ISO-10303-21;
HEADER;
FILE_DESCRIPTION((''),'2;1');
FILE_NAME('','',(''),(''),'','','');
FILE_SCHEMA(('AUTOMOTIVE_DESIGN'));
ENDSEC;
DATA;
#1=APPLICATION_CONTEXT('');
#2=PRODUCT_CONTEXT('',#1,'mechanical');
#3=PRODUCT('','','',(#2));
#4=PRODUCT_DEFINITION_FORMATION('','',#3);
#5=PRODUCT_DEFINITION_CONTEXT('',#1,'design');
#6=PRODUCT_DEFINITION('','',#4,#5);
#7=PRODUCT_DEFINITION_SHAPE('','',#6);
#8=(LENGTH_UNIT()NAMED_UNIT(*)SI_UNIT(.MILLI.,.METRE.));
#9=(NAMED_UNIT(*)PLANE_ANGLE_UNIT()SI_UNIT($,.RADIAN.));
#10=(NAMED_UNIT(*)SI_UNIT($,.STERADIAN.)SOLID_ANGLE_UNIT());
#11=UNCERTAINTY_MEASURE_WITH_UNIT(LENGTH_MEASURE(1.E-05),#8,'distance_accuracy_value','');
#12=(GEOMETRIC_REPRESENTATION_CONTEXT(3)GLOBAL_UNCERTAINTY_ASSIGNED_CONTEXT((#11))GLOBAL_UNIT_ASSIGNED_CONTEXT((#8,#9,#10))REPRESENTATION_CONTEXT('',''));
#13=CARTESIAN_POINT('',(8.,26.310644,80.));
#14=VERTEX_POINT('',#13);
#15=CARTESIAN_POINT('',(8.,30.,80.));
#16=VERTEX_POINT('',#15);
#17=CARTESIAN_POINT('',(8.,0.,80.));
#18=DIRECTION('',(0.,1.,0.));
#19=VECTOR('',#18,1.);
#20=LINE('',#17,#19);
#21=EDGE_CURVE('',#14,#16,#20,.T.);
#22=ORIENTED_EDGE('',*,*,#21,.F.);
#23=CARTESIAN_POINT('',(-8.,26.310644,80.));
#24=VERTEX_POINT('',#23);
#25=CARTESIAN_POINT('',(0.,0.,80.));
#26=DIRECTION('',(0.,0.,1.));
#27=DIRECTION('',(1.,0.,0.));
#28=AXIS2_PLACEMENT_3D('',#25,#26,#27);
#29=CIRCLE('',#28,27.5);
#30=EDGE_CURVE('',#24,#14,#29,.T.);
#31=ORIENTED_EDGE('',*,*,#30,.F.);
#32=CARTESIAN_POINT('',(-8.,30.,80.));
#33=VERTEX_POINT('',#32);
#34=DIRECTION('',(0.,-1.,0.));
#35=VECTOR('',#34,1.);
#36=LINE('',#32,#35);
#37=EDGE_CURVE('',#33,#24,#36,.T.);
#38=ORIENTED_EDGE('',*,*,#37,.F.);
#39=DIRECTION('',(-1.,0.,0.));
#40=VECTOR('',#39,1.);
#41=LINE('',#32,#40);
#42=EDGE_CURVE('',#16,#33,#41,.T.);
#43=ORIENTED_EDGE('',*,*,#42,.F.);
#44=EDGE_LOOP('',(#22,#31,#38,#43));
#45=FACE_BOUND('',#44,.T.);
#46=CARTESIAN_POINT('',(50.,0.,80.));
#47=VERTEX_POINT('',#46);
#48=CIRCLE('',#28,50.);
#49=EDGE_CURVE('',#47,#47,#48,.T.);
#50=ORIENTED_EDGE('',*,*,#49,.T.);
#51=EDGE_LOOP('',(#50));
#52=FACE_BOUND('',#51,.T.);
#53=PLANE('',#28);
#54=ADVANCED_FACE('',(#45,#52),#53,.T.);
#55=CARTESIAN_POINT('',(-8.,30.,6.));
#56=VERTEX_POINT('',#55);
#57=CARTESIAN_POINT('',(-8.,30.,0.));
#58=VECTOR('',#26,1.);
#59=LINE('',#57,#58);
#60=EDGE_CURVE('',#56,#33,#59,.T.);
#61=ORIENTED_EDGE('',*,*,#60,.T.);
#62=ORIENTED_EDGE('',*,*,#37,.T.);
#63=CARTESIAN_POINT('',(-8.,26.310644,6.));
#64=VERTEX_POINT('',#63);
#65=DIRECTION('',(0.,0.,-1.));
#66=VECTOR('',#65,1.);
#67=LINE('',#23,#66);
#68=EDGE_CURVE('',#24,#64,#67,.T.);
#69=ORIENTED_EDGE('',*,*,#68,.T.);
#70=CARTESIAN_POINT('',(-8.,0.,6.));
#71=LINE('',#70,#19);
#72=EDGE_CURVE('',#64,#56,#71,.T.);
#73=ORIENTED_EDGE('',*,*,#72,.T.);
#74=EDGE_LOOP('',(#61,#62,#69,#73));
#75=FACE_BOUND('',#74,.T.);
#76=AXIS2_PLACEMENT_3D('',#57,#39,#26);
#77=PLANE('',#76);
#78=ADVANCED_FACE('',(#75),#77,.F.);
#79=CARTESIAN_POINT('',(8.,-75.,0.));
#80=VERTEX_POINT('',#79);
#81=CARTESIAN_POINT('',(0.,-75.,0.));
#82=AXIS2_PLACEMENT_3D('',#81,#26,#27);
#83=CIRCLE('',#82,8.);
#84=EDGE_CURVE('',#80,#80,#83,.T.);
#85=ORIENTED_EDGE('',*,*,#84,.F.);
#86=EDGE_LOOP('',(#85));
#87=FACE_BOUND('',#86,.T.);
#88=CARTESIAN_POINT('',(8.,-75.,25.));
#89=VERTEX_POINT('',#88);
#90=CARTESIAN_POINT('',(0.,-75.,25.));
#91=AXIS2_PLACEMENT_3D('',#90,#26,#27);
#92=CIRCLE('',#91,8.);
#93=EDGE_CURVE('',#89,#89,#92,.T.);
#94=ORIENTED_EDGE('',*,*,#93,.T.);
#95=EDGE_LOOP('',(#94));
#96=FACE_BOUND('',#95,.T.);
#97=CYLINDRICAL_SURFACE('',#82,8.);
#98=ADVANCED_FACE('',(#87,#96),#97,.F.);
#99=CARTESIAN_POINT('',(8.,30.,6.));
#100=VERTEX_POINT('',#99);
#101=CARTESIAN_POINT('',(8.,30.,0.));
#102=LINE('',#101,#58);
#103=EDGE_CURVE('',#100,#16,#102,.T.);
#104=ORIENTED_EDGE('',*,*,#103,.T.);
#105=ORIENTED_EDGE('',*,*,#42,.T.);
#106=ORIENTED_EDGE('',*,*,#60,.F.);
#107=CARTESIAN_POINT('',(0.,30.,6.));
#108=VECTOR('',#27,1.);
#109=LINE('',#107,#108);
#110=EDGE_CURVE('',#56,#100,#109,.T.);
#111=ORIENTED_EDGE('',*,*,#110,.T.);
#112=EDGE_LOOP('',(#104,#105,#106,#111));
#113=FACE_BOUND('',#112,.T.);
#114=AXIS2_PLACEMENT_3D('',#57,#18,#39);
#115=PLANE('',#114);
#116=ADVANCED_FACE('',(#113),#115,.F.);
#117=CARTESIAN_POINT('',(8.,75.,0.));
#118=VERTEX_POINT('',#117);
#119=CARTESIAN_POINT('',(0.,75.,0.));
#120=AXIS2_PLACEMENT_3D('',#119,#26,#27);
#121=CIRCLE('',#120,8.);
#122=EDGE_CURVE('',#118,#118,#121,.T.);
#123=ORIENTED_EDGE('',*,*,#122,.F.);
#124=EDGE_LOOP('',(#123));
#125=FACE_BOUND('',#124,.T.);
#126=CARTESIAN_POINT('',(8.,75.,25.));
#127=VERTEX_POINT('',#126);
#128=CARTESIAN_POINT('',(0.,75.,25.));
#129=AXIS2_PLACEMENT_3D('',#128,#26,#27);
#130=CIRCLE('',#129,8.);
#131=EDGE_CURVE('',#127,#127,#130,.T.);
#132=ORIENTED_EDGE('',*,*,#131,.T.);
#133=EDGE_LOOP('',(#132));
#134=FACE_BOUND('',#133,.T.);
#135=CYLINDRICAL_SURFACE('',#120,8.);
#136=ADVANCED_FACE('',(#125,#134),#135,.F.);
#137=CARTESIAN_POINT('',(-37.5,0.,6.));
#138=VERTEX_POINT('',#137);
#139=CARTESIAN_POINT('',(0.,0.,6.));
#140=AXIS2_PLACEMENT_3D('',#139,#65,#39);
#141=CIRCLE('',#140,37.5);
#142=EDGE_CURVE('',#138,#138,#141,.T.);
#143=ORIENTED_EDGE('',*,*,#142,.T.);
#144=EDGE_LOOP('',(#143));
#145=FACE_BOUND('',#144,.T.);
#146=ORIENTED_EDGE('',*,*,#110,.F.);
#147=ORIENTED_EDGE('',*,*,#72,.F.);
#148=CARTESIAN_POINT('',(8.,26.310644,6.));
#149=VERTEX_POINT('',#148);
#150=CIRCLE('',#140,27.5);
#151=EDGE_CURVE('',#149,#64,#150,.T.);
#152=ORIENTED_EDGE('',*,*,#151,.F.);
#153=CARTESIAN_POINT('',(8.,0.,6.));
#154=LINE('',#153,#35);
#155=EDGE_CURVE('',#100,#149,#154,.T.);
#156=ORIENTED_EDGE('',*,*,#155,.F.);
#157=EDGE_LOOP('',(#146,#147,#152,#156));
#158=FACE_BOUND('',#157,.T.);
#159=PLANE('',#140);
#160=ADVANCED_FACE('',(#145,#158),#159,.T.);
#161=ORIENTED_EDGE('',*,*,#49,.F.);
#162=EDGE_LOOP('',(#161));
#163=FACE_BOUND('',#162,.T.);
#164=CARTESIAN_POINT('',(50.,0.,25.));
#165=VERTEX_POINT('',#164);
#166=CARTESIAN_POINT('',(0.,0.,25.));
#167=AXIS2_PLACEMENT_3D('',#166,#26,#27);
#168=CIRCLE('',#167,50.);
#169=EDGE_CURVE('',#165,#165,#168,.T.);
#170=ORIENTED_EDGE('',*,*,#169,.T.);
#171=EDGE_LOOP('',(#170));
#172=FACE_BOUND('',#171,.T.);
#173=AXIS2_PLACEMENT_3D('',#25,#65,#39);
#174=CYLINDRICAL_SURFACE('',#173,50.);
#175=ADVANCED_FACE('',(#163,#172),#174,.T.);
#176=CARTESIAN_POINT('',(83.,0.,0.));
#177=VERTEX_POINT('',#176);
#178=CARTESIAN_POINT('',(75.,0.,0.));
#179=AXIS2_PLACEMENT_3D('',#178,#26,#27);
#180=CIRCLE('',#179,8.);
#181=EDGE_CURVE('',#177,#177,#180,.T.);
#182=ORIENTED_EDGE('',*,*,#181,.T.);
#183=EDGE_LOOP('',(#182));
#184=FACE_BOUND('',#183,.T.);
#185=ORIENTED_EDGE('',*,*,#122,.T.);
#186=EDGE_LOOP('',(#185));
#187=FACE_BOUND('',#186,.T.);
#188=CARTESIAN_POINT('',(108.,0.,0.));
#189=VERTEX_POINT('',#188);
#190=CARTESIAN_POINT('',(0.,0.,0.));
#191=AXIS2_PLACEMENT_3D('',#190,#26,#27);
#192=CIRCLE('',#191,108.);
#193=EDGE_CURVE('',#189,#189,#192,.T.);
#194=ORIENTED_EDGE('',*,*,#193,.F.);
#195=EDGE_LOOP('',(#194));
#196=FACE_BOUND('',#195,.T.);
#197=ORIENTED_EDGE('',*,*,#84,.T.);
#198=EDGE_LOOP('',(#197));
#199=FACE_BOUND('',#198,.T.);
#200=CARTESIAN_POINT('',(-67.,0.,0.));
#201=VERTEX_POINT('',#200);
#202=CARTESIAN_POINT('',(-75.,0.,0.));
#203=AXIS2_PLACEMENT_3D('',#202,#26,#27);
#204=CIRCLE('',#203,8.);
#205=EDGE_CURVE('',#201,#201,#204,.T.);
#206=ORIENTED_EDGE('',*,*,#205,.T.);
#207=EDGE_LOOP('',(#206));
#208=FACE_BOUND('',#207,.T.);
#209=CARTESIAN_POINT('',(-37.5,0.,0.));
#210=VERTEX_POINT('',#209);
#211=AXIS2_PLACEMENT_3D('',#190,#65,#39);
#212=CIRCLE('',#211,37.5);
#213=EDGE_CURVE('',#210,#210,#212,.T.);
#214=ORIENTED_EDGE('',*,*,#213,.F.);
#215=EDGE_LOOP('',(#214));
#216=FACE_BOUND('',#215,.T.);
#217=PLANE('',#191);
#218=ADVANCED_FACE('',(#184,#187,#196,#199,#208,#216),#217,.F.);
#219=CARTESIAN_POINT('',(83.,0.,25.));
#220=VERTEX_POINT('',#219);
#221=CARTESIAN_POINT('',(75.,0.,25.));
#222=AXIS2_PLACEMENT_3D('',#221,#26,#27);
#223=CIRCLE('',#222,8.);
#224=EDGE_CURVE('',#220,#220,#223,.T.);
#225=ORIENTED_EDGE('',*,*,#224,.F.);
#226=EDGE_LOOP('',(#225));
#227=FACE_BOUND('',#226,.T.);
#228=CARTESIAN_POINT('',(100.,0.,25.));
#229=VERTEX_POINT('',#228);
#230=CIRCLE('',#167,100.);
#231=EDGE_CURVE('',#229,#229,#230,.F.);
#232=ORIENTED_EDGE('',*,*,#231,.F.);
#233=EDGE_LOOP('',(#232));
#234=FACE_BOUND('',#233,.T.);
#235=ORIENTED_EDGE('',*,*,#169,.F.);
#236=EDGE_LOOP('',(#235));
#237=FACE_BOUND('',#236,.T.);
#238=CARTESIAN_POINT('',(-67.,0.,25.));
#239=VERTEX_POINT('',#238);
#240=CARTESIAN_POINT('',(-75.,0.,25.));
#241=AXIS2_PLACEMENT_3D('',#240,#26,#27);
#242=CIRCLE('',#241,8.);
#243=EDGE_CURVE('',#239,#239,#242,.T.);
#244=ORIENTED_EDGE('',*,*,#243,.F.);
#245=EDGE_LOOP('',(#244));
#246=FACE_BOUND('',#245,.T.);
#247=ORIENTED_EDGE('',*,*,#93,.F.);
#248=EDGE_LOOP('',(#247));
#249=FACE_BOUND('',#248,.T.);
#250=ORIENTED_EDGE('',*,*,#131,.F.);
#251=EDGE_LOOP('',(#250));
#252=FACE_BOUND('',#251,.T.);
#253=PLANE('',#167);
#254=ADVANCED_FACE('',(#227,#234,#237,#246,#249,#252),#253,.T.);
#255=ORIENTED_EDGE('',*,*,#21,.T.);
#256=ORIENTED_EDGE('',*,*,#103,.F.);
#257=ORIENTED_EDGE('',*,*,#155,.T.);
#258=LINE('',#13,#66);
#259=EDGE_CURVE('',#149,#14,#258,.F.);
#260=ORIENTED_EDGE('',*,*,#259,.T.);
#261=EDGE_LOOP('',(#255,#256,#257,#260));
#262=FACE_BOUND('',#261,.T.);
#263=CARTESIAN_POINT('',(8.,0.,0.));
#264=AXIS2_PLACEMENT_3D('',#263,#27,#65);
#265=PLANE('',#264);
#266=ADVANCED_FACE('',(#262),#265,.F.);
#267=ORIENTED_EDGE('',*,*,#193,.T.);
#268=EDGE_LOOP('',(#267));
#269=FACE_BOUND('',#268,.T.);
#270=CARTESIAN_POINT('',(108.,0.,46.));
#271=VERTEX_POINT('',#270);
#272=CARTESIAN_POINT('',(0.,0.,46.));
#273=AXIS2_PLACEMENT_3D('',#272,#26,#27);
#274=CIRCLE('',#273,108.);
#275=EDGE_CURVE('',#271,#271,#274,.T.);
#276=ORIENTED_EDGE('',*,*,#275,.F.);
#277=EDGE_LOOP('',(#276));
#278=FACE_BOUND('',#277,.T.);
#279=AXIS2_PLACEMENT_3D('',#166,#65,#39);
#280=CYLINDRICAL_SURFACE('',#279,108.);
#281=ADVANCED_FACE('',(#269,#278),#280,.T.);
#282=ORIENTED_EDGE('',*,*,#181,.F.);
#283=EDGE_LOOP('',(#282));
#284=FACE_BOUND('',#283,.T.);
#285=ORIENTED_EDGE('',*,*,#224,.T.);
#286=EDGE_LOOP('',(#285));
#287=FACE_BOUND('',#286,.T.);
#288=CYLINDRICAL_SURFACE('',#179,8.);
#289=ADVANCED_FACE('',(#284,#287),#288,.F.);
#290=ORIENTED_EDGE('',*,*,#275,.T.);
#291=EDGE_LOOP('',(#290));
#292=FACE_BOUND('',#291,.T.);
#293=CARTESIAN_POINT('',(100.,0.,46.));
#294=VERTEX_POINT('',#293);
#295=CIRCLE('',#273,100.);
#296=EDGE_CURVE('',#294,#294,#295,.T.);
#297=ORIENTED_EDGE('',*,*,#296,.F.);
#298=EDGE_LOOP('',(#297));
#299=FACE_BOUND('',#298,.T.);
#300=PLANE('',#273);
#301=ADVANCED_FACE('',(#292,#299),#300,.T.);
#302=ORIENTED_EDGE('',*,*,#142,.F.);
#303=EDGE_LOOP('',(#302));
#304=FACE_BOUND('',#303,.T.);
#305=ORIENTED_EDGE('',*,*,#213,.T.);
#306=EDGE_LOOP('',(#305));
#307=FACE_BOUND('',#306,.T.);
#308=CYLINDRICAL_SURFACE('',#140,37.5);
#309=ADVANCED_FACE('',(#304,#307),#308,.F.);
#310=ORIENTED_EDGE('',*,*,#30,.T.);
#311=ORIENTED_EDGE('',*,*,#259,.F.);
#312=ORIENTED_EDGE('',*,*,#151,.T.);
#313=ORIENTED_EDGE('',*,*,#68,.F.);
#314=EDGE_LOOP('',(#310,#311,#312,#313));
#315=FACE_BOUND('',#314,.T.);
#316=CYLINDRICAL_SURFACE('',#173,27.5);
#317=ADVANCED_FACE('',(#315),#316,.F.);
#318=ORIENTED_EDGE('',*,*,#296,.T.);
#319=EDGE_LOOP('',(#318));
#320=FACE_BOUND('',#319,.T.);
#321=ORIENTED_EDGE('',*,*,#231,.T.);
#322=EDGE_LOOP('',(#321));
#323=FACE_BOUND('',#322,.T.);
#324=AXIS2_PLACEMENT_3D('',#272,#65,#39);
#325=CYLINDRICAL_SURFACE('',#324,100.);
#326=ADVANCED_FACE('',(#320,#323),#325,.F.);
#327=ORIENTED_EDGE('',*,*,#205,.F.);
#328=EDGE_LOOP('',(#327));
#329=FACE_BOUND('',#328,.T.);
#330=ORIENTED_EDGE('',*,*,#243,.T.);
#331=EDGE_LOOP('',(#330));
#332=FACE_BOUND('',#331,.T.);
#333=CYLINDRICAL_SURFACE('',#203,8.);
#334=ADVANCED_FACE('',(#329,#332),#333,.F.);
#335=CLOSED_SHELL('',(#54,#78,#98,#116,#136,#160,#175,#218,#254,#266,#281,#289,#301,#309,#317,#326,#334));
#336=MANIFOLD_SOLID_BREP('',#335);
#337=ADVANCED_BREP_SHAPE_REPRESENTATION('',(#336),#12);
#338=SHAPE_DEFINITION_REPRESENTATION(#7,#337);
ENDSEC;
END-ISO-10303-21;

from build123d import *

# Parameters (mm, degrees)
SKETCH1_R           = 108
BOSS_EXTRUDE1_DEPTH = 25
SKETCH2_R           = 108
SKETCH2_R_2         = 100
BOSS_EXTRUDE2_DEPTH = 21
SKETCH3_R           = 50
SKETCH3_R_2         = 27.5
BOSS_EXTRUDE3_DEPTH = 55
SKETCH4_R           = 8
CUT_EXTRUDE1_DEPTH  = 26
SKETCH5_R           = 37.5
CUT_EXTRUDE2_DEPTH  = 6
SKETCH6_R           = 27.5
CUT_EXTRUDE4_DEPTH  = 26
SKETCH7_W           = 16
SKETCH7_H           = 30
CUT_EXTRUDE5_DEPTH  = 81


with BuildPart() as part:
    # Sketch1 → Boss-Extrude1 (new body)
    with BuildSketch(Plane.XY):
        Circle(SKETCH1_R)
    extrude(amount=BOSS_EXTRUDE1_DEPTH)

    # Sketch2 → Boss-Extrude2 (add)
    with BuildSketch(Plane.XY.offset(25)):
        Circle(SKETCH2_R)
        Circle(SKETCH2_R_2, mode=Mode.SUBTRACT)
    extrude(amount=BOSS_EXTRUDE2_DEPTH)

    # Sketch3 → Boss-Extrude3 (add)
    with BuildSketch(Plane.XY.offset(25)):
        Circle(SKETCH3_R)
        Circle(SKETCH3_R_2, mode=Mode.SUBTRACT)
    extrude(amount=BOSS_EXTRUDE3_DEPTH)

    # Sketch4 → Cut-Extrude1 (cut, through all)
    with BuildSketch(Plane.XY.offset(25)):
        with Locations((0, 75)):
            Circle(SKETCH4_R)
        with Locations((75, 0)):
            Circle(SKETCH4_R)
        with Locations((0, -75)):
            Circle(SKETCH4_R)
        with Locations((-75, 0)):
            Circle(SKETCH4_R)
    extrude(amount=-CUT_EXTRUDE1_DEPTH, mode=Mode.SUBTRACT)

    # Sketch5 → Cut-Extrude2 (cut)
    with BuildSketch(Plane(origin=(0, 0, 0), x_dir=(-1, 0, 0), z_dir=(0, 0, -1))):
        Circle(SKETCH5_R)
    extrude(amount=-CUT_EXTRUDE2_DEPTH, mode=Mode.SUBTRACT)

    # Sketch6 → Cut-Extrude4 (cut, through all)
    with BuildSketch(Plane.XY.offset(25)):
        Circle(SKETCH6_R)
    extrude(amount=-CUT_EXTRUDE4_DEPTH, mode=Mode.SUBTRACT)

    # Sketch7 → Cut-Extrude5 (cut, through all)
    with BuildSketch(Plane.XY.offset(80)):
        with Locations((0, 15)):
            Rectangle(SKETCH7_W, SKETCH7_H)
    extrude(amount=-CUT_EXTRUDE5_DEPTH, mode=Mode.SUBTRACT)


solid = part.part
